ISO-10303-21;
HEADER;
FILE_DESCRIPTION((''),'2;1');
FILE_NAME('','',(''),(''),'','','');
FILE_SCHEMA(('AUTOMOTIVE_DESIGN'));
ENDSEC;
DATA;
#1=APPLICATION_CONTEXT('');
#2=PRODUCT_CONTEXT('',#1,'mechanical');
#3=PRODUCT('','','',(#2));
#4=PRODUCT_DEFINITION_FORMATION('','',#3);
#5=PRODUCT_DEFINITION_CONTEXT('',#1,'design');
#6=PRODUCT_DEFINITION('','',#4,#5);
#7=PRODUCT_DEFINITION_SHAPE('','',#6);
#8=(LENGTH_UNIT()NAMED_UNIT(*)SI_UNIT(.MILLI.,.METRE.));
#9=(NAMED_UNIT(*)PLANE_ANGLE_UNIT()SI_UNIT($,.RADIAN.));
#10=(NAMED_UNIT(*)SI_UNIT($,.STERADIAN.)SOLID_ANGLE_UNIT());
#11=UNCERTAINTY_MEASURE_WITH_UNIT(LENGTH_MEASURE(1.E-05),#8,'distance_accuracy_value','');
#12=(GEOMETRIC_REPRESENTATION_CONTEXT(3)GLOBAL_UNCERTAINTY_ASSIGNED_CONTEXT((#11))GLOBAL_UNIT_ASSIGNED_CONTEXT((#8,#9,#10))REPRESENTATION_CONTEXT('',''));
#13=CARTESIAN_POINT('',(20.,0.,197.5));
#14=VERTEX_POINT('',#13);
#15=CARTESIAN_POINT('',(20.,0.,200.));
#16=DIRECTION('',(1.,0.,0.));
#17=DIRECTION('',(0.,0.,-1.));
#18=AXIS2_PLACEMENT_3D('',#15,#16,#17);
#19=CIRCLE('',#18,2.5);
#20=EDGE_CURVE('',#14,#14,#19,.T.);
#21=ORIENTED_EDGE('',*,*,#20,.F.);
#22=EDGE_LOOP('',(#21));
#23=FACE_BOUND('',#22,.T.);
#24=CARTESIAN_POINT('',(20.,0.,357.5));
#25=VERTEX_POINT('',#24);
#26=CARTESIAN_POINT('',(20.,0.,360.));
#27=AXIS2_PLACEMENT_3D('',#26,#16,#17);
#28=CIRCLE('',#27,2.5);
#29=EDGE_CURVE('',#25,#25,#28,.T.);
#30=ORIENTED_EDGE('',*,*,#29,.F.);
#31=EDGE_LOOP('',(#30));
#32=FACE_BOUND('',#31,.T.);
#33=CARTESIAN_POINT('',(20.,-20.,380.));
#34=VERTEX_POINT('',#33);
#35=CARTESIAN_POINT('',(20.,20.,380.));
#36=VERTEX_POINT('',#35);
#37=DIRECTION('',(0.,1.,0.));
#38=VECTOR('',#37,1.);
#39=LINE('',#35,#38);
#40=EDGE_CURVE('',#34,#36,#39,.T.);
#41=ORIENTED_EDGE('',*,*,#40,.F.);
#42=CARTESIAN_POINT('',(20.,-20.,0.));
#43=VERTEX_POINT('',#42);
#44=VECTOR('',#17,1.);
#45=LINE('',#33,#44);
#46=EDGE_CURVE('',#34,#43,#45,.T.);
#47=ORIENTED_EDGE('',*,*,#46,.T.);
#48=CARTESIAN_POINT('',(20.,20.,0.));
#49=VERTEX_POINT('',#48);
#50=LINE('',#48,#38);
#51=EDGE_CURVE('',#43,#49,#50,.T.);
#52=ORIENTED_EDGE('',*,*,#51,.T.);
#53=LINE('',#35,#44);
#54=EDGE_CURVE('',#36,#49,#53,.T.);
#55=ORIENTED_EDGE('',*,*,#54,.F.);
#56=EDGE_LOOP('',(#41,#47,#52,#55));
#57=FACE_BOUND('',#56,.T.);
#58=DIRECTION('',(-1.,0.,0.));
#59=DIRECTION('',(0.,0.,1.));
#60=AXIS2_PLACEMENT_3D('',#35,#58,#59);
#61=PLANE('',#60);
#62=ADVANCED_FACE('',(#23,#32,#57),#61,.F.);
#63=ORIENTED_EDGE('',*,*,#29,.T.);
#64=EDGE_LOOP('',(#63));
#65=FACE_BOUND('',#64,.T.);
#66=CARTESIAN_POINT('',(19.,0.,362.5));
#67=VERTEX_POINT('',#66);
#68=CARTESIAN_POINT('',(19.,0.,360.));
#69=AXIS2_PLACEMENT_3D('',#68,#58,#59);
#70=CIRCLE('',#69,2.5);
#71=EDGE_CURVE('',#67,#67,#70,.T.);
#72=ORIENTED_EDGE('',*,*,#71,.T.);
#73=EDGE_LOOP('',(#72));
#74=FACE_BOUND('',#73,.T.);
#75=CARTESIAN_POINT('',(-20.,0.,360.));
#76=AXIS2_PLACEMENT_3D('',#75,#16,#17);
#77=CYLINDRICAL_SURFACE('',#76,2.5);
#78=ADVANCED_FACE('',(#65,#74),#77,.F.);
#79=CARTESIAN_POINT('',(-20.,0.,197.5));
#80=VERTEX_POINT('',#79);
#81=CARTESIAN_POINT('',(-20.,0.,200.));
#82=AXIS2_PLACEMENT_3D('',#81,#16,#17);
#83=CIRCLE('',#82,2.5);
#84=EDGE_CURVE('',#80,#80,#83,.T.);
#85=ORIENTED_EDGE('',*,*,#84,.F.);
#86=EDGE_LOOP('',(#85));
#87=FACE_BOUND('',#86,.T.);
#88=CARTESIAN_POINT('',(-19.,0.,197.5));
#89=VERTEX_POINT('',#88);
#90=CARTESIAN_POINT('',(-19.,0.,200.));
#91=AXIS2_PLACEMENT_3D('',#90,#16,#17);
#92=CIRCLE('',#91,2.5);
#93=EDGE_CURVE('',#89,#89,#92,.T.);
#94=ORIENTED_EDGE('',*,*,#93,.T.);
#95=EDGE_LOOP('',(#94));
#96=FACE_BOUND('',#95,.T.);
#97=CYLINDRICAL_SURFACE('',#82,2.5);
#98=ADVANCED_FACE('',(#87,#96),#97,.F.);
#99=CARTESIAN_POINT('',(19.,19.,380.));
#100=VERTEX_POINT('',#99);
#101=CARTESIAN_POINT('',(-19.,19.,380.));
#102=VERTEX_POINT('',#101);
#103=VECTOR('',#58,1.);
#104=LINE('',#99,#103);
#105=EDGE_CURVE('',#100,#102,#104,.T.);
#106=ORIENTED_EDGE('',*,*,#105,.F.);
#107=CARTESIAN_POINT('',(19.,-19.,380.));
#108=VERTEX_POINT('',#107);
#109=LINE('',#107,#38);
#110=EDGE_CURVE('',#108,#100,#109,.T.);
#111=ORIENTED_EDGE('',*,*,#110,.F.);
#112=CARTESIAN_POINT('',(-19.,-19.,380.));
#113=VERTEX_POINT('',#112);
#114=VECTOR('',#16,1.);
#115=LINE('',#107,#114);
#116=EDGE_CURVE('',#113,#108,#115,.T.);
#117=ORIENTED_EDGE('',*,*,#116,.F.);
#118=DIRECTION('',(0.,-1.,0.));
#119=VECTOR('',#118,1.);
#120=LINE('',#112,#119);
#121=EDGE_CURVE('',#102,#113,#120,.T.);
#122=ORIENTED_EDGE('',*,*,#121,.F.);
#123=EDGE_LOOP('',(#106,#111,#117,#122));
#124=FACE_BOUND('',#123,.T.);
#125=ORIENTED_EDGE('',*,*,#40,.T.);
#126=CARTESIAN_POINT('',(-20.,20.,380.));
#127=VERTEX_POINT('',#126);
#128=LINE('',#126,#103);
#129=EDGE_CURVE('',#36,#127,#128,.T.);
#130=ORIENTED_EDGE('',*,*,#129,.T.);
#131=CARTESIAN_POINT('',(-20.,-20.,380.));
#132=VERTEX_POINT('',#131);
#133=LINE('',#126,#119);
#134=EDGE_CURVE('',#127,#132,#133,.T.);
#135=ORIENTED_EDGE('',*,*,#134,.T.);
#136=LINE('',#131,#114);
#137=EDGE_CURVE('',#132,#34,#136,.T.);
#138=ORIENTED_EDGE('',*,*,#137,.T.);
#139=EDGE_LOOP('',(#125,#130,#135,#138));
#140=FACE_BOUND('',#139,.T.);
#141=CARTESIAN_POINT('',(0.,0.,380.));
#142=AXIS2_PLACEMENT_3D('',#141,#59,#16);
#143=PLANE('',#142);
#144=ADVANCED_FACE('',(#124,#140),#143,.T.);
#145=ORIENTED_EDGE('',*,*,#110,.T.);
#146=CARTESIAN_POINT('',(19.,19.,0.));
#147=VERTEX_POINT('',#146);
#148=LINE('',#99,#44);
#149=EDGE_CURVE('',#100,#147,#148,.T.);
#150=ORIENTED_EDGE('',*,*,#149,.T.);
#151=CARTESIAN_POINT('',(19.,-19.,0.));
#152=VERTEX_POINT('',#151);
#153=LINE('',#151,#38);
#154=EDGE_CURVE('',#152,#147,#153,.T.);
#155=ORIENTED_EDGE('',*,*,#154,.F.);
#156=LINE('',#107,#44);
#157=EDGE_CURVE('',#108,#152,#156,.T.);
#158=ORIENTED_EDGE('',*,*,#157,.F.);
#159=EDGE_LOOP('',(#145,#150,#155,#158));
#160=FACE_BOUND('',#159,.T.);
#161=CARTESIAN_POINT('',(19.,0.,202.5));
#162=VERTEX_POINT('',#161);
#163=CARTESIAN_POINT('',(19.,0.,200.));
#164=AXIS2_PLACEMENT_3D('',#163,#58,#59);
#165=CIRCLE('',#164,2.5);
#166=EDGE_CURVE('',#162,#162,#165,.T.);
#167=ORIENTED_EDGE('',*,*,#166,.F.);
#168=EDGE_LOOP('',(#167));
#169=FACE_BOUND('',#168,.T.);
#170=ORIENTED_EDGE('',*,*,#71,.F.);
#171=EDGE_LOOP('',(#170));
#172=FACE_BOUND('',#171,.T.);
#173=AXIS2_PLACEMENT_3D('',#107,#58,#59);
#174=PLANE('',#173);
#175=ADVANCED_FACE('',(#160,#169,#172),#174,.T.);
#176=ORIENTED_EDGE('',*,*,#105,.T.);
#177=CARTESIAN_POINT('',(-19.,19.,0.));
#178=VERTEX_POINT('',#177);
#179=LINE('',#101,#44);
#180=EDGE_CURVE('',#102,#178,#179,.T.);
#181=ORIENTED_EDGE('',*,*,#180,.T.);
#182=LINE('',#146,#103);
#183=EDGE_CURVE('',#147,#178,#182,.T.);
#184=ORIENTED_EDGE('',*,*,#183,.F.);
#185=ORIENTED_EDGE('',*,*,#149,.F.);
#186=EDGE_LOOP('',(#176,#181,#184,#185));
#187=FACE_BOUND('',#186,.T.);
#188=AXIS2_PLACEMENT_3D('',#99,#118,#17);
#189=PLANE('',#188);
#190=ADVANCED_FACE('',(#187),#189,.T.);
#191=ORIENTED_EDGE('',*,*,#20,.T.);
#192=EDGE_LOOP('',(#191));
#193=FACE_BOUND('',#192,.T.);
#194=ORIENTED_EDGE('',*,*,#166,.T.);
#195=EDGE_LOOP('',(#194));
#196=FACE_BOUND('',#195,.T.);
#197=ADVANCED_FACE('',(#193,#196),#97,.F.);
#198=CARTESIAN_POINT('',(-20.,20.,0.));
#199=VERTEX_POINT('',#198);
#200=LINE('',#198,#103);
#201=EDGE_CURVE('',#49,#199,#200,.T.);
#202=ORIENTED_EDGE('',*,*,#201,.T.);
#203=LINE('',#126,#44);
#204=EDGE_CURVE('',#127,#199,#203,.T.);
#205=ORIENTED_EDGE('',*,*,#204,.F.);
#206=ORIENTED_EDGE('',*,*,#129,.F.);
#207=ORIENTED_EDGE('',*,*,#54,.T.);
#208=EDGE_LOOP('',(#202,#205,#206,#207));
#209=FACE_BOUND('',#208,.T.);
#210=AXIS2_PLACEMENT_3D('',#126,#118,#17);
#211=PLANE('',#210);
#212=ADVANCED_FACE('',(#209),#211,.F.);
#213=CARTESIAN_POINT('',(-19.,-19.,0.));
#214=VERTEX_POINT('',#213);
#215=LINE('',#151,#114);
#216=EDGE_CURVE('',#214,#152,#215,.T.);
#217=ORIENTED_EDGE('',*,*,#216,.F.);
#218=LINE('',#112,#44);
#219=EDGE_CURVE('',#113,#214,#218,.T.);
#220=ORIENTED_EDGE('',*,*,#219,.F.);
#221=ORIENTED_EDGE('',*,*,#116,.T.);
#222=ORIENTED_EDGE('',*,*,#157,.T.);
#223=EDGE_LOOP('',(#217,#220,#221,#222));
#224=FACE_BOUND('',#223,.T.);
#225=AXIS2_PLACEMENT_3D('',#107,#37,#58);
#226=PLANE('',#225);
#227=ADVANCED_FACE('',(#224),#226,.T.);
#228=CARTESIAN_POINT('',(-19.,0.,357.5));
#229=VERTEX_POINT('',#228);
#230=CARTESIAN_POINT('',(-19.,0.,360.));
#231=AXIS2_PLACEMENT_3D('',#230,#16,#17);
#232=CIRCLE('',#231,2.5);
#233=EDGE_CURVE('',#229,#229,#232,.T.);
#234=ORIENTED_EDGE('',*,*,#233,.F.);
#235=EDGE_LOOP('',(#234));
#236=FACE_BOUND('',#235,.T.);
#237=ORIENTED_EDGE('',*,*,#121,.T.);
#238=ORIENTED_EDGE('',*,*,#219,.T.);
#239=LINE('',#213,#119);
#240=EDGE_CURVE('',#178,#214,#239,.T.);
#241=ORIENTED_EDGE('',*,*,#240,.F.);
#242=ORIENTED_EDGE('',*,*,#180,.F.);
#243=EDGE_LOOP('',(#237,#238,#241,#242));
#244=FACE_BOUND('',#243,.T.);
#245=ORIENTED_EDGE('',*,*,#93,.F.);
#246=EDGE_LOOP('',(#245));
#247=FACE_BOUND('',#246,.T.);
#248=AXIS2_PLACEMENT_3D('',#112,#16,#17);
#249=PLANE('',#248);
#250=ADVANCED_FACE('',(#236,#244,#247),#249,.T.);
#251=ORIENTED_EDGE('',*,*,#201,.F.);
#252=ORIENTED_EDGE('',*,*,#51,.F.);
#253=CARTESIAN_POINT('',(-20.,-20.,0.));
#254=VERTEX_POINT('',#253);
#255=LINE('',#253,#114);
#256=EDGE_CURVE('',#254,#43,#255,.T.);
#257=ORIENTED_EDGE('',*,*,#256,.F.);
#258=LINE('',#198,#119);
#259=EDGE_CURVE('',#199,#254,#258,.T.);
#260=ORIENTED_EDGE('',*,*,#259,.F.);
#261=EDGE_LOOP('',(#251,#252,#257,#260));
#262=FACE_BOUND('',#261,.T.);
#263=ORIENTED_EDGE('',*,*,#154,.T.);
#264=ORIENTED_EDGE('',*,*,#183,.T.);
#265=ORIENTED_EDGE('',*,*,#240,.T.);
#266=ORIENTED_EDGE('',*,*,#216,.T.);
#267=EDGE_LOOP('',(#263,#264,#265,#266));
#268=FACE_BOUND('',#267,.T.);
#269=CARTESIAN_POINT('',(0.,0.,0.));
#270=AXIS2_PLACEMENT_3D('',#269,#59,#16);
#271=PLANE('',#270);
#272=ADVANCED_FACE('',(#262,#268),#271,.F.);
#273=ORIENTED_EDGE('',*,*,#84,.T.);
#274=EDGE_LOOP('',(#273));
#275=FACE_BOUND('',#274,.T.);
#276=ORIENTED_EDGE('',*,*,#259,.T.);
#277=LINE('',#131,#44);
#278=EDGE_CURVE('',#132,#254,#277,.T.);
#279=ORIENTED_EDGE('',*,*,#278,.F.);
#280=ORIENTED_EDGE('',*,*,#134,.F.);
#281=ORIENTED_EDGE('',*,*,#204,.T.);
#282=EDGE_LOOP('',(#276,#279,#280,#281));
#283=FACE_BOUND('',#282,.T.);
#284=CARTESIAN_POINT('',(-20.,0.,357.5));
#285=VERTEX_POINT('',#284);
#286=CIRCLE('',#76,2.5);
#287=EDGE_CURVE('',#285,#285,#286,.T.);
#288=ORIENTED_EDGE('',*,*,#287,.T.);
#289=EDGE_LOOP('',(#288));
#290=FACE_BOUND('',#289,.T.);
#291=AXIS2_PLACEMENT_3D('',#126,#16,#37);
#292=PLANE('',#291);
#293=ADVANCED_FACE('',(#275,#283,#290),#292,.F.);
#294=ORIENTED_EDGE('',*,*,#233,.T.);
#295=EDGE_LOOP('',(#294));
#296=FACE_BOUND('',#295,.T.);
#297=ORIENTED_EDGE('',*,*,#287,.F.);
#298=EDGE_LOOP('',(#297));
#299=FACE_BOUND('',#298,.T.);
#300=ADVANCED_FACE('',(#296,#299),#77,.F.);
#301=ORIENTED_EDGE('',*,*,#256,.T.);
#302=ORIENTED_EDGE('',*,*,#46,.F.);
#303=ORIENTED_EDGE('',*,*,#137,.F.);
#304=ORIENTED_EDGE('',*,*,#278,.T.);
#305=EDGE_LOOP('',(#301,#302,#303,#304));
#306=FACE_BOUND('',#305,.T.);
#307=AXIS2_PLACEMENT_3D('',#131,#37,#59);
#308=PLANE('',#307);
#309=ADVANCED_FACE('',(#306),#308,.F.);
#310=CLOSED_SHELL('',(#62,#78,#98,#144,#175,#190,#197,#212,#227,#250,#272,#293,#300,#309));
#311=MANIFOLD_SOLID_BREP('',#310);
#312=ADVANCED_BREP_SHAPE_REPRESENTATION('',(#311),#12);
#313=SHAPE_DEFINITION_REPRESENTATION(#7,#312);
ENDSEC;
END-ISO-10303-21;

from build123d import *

# Parameters (mm, degrees)
SCHIZZO1_W                   = 40
SCHIZZO1_H                   = 40
SCHIZZO1_W_2                 = 38
SCHIZZO1_H_2                 = 38
ESTRUSIONE_ESTRUSIONE2_DEPTH = 380
SCHIZZO2_R                   = 2.5
TAGLIO_ESTRUSIONE1_DEPTH     = 41


with BuildPart() as part:
    # Schizzo1 → Estrusione-Estrusione2 (new body)
    with BuildSketch(Plane.XY):
        Rectangle(SCHIZZO1_W, SCHIZZO1_H)
        Rectangle(SCHIZZO1_W_2, SCHIZZO1_H_2, mode=Mode.SUBTRACT)
    extrude(amount=ESTRUSIONE_ESTRUSIONE2_DEPTH)

    # Schizzo2 → Taglio-Estrusione1 (cut, through all)
    with BuildSketch(Plane(origin=(20, 0, 0), x_dir=(0, 0, -1), z_dir=(1, 0, 0))):
        with Locations((-360, 0)):
            Circle(SCHIZZO2_R)
        with Locations((-200, 0)):
            Circle(SCHIZZO2_R)
    extrude(amount=-TAGLIO_ESTRUSIONE1_DEPTH, mode=Mode.SUBTRACT)


solid = part.part
